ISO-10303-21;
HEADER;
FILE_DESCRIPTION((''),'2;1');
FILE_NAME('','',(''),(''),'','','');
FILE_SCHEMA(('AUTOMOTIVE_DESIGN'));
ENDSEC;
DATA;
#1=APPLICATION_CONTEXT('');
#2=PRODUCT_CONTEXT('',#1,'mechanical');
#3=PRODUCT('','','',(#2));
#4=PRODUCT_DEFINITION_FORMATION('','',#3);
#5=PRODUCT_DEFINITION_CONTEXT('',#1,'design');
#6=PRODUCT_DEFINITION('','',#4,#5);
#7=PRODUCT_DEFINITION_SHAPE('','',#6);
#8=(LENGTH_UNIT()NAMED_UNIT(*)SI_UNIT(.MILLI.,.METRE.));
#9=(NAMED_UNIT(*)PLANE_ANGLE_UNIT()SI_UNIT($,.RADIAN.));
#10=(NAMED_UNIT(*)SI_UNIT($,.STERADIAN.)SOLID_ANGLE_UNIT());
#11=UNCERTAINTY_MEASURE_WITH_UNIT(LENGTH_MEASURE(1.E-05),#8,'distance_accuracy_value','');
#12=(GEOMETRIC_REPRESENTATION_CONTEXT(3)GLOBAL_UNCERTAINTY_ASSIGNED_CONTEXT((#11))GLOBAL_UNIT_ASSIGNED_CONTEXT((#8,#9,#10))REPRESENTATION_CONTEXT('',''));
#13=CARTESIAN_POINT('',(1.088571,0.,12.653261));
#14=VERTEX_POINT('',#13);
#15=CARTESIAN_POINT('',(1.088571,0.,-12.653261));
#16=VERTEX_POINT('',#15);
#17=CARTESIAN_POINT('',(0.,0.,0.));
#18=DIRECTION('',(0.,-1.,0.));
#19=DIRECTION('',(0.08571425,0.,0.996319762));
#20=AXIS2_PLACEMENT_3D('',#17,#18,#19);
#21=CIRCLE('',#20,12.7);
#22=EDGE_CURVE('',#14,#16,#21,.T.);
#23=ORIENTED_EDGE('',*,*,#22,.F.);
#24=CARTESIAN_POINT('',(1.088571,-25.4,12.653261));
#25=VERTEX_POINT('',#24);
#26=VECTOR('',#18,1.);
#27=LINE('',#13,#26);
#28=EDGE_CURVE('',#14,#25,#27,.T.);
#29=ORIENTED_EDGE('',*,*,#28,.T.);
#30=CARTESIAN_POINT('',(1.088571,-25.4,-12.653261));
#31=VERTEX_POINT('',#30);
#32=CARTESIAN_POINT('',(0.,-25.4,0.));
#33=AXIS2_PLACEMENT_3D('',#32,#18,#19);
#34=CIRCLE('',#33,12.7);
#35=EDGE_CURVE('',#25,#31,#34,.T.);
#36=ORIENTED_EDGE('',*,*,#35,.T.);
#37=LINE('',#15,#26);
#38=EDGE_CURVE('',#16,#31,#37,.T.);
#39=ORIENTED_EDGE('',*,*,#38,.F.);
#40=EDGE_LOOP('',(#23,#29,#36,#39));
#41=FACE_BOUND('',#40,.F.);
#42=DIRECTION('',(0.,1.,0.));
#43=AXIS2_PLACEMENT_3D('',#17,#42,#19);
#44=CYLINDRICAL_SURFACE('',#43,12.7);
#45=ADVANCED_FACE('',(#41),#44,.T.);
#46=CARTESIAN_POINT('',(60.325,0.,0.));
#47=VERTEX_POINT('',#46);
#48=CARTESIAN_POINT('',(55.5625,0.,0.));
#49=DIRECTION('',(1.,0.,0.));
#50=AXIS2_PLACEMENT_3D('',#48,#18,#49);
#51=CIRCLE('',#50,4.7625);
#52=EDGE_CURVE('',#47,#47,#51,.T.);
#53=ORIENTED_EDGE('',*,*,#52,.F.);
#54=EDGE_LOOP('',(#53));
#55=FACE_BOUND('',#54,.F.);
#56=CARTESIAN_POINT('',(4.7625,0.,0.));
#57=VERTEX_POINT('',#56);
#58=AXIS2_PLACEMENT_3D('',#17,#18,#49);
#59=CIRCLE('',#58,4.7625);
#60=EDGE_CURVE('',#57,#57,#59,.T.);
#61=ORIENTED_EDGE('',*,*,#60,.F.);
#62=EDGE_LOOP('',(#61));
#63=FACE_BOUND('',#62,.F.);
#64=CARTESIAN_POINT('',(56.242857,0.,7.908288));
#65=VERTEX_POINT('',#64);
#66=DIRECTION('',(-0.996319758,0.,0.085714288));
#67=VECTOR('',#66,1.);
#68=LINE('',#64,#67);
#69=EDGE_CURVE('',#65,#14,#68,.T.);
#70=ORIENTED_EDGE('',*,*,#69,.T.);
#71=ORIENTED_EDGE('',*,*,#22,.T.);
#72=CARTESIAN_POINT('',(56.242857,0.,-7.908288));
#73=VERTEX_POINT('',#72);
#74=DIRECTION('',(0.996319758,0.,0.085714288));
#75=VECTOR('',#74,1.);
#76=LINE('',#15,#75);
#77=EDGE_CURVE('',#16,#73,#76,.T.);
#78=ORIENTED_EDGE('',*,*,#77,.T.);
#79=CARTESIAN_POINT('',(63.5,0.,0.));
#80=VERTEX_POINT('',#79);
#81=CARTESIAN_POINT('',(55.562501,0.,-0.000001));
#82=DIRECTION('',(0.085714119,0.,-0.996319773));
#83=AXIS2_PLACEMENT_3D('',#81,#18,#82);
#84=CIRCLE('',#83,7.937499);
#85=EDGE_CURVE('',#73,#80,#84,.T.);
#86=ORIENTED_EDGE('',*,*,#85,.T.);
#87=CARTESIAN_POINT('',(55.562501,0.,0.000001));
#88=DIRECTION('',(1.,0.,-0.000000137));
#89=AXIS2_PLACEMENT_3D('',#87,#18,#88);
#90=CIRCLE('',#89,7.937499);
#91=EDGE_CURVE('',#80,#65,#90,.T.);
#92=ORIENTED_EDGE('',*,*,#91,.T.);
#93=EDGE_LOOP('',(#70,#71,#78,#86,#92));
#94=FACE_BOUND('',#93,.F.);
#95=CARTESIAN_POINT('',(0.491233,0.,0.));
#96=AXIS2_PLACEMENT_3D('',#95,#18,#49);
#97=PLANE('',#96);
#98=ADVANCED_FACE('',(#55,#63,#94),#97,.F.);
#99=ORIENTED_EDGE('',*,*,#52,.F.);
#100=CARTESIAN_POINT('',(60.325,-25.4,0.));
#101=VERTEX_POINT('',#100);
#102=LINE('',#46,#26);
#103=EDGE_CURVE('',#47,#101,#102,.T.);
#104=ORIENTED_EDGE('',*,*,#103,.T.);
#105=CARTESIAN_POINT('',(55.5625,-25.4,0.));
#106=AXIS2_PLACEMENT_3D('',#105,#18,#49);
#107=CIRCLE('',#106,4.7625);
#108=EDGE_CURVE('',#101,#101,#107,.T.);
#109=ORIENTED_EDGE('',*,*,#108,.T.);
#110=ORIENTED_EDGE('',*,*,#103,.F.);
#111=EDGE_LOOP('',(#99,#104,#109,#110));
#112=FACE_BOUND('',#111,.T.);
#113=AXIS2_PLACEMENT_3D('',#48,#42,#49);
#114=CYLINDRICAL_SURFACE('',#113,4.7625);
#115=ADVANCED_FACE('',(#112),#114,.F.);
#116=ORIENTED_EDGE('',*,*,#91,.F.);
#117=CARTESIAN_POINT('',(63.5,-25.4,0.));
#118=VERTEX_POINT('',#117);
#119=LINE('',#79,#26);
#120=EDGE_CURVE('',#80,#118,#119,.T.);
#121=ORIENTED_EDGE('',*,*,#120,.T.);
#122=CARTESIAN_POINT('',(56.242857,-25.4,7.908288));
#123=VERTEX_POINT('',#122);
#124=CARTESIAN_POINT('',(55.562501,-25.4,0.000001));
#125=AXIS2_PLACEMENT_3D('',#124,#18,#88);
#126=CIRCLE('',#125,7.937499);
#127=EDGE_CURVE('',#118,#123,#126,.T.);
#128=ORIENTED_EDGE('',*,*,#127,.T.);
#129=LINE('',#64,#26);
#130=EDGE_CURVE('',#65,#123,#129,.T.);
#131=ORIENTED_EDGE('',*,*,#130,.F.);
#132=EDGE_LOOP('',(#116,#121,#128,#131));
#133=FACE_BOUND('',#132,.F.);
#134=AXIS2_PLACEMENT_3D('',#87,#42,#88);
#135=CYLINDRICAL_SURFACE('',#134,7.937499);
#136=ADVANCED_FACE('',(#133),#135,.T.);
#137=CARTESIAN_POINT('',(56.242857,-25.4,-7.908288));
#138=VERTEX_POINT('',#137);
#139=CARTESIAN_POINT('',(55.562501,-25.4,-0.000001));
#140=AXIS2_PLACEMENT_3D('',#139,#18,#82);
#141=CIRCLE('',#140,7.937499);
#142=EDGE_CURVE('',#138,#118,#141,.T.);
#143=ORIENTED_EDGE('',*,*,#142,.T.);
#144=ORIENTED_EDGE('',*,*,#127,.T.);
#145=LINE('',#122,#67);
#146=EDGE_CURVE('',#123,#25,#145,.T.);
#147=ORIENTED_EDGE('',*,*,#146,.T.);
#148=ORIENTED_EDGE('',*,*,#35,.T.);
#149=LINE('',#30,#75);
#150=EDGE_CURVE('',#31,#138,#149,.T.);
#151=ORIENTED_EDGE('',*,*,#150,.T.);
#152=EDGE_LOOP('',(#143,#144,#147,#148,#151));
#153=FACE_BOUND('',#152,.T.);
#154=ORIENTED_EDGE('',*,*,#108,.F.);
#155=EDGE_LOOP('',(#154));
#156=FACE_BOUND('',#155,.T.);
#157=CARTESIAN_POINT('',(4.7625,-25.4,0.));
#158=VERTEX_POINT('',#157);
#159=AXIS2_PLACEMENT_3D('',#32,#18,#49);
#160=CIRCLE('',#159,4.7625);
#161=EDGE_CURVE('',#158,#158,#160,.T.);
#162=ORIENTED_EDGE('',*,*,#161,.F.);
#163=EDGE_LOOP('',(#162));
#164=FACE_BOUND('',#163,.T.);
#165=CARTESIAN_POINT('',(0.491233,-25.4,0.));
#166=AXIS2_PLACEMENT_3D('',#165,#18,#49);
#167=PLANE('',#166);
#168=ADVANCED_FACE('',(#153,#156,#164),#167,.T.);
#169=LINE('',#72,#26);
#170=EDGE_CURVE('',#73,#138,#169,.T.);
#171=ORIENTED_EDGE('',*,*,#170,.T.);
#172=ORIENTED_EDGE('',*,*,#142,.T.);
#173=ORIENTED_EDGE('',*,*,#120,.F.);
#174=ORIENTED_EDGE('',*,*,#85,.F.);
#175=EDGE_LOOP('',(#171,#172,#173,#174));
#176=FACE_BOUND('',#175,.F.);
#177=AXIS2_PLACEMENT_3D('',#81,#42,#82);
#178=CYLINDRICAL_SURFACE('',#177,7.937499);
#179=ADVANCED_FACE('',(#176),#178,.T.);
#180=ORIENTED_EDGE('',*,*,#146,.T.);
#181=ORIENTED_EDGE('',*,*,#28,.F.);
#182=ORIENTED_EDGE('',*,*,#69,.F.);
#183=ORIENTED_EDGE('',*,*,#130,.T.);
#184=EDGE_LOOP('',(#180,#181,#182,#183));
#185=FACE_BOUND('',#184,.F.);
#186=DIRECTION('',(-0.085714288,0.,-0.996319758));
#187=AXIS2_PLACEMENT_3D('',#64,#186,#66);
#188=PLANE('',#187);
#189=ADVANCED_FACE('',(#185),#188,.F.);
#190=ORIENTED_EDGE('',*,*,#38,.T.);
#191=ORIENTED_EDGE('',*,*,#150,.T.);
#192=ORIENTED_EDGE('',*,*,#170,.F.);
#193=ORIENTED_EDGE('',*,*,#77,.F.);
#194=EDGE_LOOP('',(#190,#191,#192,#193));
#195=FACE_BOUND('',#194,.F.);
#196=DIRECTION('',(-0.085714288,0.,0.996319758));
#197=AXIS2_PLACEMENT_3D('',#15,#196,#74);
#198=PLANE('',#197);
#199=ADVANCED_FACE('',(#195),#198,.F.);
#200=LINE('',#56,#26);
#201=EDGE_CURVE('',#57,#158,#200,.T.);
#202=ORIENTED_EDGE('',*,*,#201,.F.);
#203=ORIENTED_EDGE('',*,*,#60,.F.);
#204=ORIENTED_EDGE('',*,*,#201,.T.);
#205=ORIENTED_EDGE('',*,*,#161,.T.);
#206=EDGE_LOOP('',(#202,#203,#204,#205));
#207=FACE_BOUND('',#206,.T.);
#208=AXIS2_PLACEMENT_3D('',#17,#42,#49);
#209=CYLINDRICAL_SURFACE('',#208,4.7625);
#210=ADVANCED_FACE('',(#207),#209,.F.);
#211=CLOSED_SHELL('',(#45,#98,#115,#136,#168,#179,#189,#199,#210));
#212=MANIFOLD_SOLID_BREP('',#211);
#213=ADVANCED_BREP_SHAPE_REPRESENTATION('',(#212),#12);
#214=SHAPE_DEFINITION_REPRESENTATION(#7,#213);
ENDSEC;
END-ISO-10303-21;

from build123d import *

# Parameters (mm, degrees)
F0_R     = 4.7625
F1_DEPTH = 25.4
F2_DEPTH = 25.4


with BuildPart() as f1:
    # F0 (on Front) → F1 (new body)
    with BuildSketch(Plane.XZ):
        with BuildLine():
            ThreePointArc((1.088571, -12.653261), (9.357213, -8.586767), (12.7, 0))
            ThreePointArc((12.7, 0), (9.357213, 8.586767), (1.088571, 12.653261))
            ThreePointArc((1.088571, 12.653261), (-12.7, 0), (1.088571, -12.653261))
        make_face()
        Circle(F0_R, mode=Mode.SUBTRACT)
        with BuildLine():
            ThreePointArc((1.088571, 12.653261), (9.357213, 8.586767), (12.7, 0))
            ThreePointArc((12.7, 0), (9.357213, -8.586767), (1.088571, -12.653261))
            Line((1.088571, -12.653261), (56.242857, -7.908288))
            ThreePointArc((56.242857, -7.908288), (47.625, 0), (56.242857, 7.908288))
            Line((56.242857, 7.908288), (1.088571, 12.653261))
        make_face()
        with BuildLine():
            ThreePointArc((63.5, 0), (61.410758, 5.36673), (56.242857, 7.908288))
            ThreePointArc((56.242857, 7.908288), (47.625, 0), (56.242857, -7.908288))
            ThreePointArc((56.242857, -7.908288), (61.410758, -5.36673), (63.5, 0))
        make_face()
        with Locations((55.5625, 0)):
            Circle(F0_R, mode=Mode.SUBTRACT)
    extrude(amount=F1_DEPTH)

    # F0 (on Front) → F2 (join)
    with BuildSketch(Plane.XZ):
        with BuildLine():
            ThreePointArc((1.088571, -12.653261), (9.357213, -8.586767), (12.7, 0))
            ThreePointArc((12.7, 0), (9.357213, 8.586767), (1.088571, 12.653261))
            ThreePointArc((1.088571, 12.653261), (-12.7, 0), (1.088571, -12.653261))
        make_face()
        Circle(F0_R, mode=Mode.SUBTRACT)
        with BuildLine():
            ThreePointArc((1.088571, 12.653261), (9.357213, 8.586767), (12.7, 0))
            ThreePointArc((12.7, 0), (9.357213, -8.586767), (1.088571, -12.653261))
            Line((1.088571, -12.653261), (56.242857, -7.908288))
            ThreePointArc((56.242857, -7.908288), (47.625, 0), (56.242857, 7.908288))
            Line((56.242857, 7.908288), (1.088571, 12.653261))
        make_face()
        with BuildLine():
            ThreePointArc((63.5, 0), (61.410758, 5.36673), (56.242857, 7.908288))
            ThreePointArc((56.242857, 7.908288), (47.625, 0), (56.242857, -7.908288))
            ThreePointArc((56.242857, -7.908288), (61.410758, -5.36673), (63.5, 0))
        make_face()
        with Locations((55.5625, 0)):
            Circle(F0_R, mode=Mode.SUBTRACT)
    extrude(amount=F2_DEPTH)


solid = f1.part
